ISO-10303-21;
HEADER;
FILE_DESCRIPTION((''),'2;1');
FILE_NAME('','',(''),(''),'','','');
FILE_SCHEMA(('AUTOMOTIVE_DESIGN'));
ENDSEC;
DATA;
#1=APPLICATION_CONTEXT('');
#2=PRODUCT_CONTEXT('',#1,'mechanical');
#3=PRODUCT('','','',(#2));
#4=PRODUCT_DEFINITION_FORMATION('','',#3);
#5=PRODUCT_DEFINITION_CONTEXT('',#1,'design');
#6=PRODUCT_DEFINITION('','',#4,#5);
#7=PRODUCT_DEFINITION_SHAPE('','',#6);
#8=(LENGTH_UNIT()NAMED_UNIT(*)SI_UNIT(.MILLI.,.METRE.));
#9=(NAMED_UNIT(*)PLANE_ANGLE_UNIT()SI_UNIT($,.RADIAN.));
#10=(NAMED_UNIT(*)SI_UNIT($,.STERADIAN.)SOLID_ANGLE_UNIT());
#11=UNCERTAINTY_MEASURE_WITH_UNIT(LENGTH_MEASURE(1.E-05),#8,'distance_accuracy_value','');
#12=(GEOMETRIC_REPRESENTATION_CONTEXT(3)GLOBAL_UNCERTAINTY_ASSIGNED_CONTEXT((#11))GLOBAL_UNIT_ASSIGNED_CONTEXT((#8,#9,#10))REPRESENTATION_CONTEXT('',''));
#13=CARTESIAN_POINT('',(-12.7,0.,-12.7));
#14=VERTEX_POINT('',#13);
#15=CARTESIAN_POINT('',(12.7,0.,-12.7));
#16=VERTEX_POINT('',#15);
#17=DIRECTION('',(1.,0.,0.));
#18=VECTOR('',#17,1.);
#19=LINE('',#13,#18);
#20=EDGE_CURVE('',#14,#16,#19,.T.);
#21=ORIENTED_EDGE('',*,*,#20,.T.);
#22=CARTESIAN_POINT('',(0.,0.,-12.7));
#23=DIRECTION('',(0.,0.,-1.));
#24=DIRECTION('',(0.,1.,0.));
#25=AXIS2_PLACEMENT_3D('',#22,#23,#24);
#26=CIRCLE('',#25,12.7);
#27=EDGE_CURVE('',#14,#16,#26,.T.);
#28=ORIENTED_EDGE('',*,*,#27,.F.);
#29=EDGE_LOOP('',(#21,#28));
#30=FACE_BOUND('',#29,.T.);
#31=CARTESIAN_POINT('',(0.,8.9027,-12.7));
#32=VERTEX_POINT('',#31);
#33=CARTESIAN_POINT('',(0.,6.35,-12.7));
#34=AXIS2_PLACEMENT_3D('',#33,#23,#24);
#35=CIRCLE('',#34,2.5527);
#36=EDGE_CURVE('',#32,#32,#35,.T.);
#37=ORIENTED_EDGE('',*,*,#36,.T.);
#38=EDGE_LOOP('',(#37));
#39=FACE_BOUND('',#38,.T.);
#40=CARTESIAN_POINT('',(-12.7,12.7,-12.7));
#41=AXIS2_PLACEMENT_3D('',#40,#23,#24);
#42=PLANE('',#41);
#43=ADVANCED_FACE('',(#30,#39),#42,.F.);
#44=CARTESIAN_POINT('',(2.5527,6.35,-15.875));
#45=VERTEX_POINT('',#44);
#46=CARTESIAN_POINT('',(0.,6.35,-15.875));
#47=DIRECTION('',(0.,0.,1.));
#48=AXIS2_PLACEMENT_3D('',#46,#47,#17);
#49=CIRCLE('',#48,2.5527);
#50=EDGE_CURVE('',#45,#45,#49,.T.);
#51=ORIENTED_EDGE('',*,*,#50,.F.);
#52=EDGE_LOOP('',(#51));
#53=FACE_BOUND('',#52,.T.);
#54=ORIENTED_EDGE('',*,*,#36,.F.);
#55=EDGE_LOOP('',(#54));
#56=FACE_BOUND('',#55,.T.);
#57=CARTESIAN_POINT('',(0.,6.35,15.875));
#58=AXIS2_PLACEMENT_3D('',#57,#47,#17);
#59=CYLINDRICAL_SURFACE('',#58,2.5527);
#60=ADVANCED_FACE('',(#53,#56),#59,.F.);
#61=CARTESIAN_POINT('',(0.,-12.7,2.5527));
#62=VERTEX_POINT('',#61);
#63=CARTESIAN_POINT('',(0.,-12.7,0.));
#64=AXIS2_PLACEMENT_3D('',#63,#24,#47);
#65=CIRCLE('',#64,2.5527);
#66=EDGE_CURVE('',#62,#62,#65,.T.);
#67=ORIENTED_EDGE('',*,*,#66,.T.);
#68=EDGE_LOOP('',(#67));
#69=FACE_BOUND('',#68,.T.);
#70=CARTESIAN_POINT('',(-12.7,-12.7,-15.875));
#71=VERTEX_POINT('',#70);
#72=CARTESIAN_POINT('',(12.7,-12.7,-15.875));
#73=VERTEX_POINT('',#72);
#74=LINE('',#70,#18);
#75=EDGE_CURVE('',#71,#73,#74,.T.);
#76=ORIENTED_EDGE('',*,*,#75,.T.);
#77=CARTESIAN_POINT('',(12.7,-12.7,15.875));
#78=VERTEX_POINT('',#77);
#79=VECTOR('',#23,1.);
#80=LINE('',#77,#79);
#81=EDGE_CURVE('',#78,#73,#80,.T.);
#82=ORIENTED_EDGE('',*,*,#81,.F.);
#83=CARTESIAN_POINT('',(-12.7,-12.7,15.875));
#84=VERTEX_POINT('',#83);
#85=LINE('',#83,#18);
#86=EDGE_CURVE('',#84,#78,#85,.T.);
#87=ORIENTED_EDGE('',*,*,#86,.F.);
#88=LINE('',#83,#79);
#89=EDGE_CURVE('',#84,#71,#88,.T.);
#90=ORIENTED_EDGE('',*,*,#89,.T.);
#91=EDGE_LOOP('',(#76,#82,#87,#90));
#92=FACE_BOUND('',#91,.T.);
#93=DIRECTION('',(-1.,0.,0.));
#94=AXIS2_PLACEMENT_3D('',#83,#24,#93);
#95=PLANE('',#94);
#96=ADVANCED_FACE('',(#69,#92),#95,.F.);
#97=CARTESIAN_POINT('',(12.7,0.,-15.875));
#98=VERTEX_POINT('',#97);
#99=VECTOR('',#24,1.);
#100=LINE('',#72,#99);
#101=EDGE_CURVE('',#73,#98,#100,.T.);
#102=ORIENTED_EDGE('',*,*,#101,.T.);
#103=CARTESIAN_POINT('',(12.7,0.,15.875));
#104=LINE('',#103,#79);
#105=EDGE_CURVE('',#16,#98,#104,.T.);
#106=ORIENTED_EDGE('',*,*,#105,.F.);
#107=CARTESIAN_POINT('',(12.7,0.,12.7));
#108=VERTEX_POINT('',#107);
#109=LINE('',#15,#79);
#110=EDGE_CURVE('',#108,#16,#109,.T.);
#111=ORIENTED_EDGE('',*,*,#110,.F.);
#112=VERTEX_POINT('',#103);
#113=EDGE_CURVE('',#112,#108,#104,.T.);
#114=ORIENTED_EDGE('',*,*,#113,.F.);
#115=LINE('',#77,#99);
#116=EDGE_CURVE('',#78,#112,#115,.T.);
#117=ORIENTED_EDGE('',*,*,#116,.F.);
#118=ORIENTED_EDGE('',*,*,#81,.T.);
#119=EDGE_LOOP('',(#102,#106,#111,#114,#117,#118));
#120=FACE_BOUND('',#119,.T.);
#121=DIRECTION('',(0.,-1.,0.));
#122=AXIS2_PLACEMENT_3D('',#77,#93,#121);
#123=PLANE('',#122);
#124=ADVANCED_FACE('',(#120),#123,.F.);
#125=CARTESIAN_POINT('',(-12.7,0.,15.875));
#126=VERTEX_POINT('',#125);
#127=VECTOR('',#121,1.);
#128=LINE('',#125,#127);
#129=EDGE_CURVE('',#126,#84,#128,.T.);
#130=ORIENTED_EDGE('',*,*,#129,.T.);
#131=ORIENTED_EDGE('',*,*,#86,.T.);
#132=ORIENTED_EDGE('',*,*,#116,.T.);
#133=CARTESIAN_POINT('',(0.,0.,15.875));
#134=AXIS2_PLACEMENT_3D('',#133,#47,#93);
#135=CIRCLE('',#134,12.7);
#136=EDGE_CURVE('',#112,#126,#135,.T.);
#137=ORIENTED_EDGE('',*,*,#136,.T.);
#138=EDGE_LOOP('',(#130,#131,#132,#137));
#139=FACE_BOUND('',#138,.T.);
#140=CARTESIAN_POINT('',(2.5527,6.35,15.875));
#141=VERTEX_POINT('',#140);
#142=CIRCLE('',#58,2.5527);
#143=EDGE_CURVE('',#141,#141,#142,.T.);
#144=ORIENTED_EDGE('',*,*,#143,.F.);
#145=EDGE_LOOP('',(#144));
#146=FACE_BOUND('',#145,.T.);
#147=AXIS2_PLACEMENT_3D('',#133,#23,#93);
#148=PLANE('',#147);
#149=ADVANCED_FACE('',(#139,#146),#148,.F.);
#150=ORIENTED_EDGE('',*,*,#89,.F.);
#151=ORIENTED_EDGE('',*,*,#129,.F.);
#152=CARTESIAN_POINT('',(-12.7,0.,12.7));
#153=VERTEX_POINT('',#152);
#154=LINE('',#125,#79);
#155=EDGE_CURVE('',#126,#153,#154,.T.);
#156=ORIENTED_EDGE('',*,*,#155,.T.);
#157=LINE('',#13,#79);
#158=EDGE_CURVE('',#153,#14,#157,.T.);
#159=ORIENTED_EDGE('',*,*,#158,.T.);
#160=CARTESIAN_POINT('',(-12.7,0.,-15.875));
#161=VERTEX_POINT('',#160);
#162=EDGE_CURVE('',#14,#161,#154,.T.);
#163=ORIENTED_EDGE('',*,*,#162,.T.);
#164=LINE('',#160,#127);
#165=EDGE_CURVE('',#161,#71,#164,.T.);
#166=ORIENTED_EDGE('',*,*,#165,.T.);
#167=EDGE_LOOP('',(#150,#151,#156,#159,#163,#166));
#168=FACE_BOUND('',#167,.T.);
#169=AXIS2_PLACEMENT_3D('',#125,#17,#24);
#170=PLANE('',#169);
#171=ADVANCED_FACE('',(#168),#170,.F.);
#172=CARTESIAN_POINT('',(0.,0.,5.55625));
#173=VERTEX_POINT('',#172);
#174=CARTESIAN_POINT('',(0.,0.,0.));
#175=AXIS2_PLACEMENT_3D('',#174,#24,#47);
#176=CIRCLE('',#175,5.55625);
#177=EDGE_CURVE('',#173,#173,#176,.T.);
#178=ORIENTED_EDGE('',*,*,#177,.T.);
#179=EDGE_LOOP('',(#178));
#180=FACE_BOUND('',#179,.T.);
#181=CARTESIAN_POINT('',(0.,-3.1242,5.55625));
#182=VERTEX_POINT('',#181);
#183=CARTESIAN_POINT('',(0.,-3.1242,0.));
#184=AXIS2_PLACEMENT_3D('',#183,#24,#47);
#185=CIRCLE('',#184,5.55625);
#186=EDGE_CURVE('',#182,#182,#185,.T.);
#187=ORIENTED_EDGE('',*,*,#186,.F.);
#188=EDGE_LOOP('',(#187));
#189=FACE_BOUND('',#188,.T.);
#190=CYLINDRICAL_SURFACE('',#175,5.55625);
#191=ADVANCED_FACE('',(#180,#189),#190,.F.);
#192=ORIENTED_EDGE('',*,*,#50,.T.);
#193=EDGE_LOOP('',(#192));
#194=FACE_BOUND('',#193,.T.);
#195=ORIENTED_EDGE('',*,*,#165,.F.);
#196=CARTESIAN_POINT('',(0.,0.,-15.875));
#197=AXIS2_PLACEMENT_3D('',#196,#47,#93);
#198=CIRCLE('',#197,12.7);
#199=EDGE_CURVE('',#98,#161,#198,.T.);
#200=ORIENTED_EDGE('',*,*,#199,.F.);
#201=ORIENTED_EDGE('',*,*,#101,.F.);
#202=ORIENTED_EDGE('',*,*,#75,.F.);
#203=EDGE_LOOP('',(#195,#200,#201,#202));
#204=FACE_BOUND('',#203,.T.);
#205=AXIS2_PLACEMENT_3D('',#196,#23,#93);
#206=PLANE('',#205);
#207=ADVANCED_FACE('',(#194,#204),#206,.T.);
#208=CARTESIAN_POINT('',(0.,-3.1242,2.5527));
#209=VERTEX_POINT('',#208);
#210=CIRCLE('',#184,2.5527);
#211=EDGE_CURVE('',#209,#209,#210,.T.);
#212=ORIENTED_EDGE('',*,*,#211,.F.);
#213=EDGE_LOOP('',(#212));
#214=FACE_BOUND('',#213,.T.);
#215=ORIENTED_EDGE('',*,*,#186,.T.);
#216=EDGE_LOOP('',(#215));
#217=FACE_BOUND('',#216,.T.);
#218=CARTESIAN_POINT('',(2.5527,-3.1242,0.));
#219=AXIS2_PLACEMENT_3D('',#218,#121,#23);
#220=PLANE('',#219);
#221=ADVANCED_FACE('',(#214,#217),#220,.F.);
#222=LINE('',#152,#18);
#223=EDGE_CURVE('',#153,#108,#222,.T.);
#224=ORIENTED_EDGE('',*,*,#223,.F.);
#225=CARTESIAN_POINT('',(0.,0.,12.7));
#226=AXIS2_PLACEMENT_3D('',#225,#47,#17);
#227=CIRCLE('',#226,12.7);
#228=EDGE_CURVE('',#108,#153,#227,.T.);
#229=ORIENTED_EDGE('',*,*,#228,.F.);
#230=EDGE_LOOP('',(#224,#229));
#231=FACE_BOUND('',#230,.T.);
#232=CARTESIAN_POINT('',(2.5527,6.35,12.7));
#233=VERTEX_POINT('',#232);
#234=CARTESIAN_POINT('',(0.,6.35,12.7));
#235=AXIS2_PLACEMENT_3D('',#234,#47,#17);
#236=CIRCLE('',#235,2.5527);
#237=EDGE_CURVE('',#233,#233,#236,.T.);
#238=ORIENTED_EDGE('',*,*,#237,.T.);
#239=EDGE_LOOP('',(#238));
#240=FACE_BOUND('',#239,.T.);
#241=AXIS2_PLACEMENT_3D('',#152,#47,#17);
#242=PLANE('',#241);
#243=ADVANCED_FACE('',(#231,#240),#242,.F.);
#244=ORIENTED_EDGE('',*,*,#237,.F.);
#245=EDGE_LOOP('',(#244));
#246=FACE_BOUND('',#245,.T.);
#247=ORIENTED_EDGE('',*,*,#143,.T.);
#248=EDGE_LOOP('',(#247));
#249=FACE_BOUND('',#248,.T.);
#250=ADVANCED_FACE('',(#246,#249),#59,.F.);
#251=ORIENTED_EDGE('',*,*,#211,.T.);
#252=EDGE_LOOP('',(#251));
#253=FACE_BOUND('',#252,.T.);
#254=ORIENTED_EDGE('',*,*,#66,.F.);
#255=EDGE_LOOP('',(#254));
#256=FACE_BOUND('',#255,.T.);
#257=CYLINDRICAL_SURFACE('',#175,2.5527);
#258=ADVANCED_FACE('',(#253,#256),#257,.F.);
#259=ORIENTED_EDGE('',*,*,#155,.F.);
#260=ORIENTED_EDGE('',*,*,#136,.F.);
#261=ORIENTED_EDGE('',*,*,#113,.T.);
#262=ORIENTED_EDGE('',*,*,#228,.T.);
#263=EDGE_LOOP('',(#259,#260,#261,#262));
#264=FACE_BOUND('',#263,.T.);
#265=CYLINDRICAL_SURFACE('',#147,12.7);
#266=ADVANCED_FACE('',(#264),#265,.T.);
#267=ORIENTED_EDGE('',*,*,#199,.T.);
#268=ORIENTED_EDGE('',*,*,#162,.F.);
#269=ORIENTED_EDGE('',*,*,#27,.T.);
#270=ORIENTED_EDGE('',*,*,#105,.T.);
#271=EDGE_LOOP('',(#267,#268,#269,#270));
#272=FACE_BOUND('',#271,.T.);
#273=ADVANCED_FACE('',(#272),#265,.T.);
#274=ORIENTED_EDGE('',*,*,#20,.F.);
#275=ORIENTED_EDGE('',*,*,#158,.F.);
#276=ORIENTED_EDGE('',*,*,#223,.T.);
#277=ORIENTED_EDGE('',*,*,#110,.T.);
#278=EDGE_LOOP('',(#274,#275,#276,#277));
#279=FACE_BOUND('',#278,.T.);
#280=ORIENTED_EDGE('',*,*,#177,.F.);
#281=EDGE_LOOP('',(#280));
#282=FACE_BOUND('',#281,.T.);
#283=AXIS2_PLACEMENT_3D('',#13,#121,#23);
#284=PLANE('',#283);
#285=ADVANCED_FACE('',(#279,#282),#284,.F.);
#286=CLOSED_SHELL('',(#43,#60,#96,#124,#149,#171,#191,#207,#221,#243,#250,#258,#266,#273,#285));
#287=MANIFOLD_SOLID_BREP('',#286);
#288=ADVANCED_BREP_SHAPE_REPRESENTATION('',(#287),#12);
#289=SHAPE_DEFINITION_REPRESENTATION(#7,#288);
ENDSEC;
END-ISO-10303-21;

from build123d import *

# Parameters (mm, degrees)
BOSS_EXTRUDE1_DEPTH                                 = 15.875
SKETCH3_W                                           = 25.4
SKETCH3_H                                           = 12.7
CUT_EXTRUDE1_DEPTH                                  = 33.534068682
F_10_CLEARANCE_HOLE1_D                              = 5.1054
CBORE_FOR_10_BINDING_HEAD_MACHINE_SCREW_D           = 5.1054
CBORE_FOR_10_BINDING_HEAD_MACHINE_SCREW_CBORE_D     = 11.1125
CBORE_FOR_10_BINDING_HEAD_MACHINE_SCREW_CBORE_DEPTH = 3.1242


with BuildPart() as part:
    # Sketch1 → Boss-Extrude1 (new, symmetric)
    with BuildSketch(Plane.XY):
        with BuildLine():
            Line((-12.7, 0), (-12.7, -12.7))
            Line((-12.7, -12.7), (12.7, -12.7))
            Line((12.7, -12.7), (12.7, 0))
            ThreePointArc((12.7, 0), (0, 12.7), (-12.7, 0))
        make_face()
    extrude(amount=BOSS_EXTRUDE1_DEPTH, both=True)

    # Sketch3 → Cut-Extrude1 (cut, through all)
    with BuildSketch(Plane(origin=(12.7, 0, 0), x_dir=(0, 0, -1), z_dir=(1, 0, 0))):
        with Locations((0, 6.35)):
            Rectangle(SKETCH3_W, SKETCH3_H)
    extrude(amount=-CUT_EXTRUDE1_DEPTH, mode=Mode.SUBTRACT)

    # #10 Clearance Hole1 (through all)
    with Locations(Plane.XY.offset(15.875)):
        with Locations((0, 6.35)):
            Hole(F_10_CLEARANCE_HOLE1_D / 2)

    # CBORE for #10 Binding Head Machine Screw1 (through all)
    with Locations(Plane(origin=(0, 0, 0), x_dir=(1, 0, 0), z_dir=(0, 1, 0))):
        with Locations((0, 0)):
            CounterBoreHole(CBORE_FOR_10_BINDING_HEAD_MACHINE_SCREW_D / 2, CBORE_FOR_10_BINDING_HEAD_MACHINE_SCREW_CBORE_D / 2, CBORE_FOR_10_BINDING_HEAD_MACHINE_SCREW_CBORE_DEPTH)


solid = part.part
